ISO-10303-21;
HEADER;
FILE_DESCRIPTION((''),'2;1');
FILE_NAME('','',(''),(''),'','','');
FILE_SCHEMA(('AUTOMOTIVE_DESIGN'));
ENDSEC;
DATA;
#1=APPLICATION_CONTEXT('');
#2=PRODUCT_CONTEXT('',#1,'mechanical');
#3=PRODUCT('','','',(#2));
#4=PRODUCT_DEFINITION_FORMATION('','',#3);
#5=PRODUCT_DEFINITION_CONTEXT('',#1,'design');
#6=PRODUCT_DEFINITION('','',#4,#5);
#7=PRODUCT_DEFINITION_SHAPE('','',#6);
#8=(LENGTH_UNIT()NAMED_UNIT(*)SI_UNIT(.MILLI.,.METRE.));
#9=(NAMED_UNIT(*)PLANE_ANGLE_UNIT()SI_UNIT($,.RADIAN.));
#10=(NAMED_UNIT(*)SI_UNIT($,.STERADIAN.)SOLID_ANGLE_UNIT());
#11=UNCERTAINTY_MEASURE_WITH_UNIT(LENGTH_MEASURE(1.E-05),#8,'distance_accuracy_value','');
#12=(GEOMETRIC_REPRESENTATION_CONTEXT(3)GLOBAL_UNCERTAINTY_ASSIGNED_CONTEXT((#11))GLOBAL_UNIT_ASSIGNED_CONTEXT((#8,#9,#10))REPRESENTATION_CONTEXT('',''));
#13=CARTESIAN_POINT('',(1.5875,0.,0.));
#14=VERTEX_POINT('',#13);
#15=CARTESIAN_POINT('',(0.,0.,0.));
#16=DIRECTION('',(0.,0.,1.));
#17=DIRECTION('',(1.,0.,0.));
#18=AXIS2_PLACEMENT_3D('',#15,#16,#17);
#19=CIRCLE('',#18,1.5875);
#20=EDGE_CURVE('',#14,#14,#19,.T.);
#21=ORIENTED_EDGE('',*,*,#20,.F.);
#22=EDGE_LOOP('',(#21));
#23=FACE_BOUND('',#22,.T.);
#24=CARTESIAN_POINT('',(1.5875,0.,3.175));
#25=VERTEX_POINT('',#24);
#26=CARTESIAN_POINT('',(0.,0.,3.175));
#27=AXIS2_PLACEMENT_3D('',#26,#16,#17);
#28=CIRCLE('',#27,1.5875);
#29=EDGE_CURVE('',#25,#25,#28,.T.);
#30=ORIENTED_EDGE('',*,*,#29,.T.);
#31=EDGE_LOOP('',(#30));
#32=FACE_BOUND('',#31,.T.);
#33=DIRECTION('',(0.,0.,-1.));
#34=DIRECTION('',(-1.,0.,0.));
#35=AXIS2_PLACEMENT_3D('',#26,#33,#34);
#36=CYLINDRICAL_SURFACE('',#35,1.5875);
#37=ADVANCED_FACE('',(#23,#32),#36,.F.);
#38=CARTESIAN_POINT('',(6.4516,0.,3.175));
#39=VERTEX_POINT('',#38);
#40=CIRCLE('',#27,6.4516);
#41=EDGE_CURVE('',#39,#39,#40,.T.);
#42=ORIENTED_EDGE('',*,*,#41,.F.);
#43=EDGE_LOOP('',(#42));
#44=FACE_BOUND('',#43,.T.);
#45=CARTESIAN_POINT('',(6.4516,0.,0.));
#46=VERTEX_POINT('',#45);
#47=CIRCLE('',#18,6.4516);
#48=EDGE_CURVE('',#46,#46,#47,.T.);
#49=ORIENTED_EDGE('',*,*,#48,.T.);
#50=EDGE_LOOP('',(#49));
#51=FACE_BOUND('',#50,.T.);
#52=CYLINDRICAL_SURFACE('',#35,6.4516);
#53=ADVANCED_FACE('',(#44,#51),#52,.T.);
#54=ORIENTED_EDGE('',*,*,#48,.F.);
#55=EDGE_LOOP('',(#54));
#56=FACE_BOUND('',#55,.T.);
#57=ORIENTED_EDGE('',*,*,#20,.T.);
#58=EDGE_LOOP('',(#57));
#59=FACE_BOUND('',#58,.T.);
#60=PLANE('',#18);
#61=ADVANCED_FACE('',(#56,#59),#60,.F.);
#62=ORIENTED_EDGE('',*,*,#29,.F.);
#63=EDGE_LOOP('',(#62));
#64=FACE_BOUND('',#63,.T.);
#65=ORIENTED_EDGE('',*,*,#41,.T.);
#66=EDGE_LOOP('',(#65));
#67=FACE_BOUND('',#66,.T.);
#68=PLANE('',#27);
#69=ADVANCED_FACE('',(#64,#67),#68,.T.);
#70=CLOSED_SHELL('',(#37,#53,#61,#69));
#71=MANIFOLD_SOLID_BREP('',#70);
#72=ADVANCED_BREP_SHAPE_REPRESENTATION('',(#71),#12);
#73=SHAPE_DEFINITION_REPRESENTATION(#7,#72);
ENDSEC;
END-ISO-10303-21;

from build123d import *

# Parameters (mm, degrees)
SKETCH1_R           = 6.4516
SKETCH1_R_2         = 1.5875
BOSS_EXTRUDE1_DEPTH = 3.175


with BuildPart() as part:
    # Sketch1 → Boss-Extrude1 (new body)
    with BuildSketch(Plane.XY):
        Circle(SKETCH1_R)
        Circle(SKETCH1_R_2, mode=Mode.SUBTRACT)
    extrude(amount=BOSS_EXTRUDE1_DEPTH)


solid = part.part
